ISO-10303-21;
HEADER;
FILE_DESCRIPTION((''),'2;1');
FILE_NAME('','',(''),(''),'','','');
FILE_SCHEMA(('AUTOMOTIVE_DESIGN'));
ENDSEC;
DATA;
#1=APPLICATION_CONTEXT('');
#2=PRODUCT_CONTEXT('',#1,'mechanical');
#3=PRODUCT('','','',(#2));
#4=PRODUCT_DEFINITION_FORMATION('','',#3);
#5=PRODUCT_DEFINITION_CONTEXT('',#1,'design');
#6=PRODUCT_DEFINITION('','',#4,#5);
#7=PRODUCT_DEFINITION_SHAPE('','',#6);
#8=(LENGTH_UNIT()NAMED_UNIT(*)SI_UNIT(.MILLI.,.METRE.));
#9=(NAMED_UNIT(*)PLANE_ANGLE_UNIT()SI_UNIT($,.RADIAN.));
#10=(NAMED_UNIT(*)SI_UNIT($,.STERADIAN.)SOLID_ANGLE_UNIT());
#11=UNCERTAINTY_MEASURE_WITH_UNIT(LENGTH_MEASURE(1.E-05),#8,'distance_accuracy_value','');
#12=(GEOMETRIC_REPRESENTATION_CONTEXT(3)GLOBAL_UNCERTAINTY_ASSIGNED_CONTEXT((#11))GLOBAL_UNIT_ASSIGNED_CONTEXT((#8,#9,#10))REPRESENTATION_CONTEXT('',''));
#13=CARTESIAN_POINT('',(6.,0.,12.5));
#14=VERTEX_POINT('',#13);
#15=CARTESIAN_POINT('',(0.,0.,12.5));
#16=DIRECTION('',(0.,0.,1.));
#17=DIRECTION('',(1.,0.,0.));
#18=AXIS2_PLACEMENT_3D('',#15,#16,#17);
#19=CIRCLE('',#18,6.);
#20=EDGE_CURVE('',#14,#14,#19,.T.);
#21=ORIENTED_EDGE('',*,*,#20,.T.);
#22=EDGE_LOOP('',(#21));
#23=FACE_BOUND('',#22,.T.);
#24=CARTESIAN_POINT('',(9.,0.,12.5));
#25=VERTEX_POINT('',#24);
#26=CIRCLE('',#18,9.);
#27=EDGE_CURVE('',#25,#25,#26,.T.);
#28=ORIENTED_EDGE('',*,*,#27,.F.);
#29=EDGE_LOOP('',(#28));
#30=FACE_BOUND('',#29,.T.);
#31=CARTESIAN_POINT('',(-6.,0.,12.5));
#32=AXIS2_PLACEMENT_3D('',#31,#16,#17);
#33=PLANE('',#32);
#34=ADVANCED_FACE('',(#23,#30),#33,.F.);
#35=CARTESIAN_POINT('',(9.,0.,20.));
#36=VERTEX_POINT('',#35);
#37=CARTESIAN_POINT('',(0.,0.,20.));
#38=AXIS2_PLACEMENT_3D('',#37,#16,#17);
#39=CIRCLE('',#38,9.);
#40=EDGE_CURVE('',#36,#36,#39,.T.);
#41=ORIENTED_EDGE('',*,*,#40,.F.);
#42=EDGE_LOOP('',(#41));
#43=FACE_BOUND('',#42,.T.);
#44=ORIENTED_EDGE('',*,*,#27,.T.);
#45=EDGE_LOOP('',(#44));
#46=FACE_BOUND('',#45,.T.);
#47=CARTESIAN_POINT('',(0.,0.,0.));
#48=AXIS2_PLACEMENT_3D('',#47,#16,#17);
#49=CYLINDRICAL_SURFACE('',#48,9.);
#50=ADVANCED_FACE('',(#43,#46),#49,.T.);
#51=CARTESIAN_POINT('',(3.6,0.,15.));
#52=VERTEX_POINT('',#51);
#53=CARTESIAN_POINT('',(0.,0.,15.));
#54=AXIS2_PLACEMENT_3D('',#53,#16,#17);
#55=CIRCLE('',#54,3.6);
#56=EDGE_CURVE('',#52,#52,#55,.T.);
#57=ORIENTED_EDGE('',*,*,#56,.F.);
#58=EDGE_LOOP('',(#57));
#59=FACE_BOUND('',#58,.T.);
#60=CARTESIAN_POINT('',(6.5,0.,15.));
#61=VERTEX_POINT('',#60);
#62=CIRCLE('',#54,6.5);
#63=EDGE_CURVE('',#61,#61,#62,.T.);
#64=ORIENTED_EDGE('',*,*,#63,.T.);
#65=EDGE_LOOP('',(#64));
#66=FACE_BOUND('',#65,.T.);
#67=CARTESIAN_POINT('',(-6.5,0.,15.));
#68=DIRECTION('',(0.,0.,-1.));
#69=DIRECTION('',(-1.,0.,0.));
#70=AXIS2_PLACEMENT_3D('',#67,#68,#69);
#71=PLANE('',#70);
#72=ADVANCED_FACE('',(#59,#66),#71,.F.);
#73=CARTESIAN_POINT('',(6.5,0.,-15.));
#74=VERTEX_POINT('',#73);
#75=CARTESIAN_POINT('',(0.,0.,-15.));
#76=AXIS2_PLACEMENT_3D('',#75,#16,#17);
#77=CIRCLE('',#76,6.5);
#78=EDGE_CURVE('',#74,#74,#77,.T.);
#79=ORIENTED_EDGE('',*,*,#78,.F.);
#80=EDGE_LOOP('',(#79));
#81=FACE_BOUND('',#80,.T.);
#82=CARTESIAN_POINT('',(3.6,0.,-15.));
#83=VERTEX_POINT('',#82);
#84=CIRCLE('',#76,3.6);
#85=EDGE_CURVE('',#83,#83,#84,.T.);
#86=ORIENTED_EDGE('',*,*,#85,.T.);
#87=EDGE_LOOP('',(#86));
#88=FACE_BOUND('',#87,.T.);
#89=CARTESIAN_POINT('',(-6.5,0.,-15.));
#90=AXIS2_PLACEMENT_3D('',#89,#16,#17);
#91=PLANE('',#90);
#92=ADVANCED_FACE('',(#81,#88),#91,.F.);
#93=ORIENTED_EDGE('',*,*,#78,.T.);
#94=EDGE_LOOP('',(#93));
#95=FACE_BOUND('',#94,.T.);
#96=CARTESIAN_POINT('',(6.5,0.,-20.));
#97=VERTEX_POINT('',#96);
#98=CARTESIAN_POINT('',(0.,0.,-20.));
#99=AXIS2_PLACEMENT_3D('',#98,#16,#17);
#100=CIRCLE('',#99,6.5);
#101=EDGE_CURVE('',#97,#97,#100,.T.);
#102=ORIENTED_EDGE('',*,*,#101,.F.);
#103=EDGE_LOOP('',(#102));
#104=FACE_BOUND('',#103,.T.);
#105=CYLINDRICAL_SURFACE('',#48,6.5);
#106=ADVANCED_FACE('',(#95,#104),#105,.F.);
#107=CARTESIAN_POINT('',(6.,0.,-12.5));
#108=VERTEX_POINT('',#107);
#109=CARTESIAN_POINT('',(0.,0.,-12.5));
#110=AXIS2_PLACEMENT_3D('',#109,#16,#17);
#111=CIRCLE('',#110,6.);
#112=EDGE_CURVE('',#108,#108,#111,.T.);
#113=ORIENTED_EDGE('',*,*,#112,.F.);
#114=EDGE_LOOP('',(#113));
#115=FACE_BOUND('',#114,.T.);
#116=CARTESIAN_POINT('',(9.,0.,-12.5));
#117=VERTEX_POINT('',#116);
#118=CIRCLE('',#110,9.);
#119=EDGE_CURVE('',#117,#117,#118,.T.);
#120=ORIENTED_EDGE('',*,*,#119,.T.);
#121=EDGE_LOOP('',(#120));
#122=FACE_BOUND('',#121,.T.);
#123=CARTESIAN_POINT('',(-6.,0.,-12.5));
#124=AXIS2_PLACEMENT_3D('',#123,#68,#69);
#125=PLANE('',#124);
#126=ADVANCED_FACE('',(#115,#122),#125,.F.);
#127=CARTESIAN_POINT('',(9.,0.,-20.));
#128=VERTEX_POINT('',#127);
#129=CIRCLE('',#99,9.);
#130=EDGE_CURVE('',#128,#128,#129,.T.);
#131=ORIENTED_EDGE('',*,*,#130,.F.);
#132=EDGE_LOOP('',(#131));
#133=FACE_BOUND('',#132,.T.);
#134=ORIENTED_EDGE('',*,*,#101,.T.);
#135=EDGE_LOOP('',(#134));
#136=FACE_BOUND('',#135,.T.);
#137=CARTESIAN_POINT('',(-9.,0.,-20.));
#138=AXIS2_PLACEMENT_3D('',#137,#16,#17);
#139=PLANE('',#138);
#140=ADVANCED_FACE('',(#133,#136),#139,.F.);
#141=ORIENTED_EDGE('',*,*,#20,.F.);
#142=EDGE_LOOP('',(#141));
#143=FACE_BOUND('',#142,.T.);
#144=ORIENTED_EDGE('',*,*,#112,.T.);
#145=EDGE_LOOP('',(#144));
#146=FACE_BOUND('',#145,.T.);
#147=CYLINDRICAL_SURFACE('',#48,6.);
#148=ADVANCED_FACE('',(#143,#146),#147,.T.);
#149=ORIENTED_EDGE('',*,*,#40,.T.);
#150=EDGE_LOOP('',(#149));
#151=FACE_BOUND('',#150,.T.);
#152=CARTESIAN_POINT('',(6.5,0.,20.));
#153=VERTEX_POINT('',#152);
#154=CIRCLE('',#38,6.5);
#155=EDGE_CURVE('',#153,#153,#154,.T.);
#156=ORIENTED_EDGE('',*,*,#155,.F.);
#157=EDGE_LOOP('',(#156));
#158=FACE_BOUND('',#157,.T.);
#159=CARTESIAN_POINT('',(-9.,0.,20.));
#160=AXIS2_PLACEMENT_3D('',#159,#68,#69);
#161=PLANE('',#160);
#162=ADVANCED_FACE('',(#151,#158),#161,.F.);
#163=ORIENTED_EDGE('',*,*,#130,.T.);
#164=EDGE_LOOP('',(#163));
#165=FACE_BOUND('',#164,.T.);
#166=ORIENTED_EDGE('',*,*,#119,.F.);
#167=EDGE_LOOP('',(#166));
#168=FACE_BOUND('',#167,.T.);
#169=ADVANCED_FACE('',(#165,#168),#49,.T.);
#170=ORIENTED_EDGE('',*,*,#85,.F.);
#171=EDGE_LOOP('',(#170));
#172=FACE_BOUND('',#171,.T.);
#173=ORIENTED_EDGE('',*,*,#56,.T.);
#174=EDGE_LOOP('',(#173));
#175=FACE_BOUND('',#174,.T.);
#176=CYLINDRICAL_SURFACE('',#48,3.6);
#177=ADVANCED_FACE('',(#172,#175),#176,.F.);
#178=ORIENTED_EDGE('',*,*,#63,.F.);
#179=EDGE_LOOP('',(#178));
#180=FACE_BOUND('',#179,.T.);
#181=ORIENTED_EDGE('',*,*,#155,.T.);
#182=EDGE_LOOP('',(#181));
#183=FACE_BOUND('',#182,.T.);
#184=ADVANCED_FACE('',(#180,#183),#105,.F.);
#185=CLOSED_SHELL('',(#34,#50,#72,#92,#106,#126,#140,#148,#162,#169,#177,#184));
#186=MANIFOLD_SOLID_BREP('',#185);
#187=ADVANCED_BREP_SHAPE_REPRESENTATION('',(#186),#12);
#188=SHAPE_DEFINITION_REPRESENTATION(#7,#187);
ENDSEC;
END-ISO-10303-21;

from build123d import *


with BuildPart() as part:
    # Sketch1 → Revolve1 (revolve)
    with BuildSketch(Plane(origin=(0, 0, 0), x_dir=(1, 0, 0), z_dir=(0, 1, 0)), mode=Mode.PRIVATE) as revolve1_sk:
        Polygon((-6, -12.5), (-6, 12.5), (-9, 12.5), (-9, 20), (-6.5, 20), (-6.5, 15), (-3.6, 15), (-3.6, -15), (-6.5, -15), (-6.5, -20), (-9, -20), (-9, -12.5), align=None)
    revolve(revolve1_sk.sketch.rotate(Axis((0, 0, 0), (0, 0, -1)), 180), axis=Axis((0, 0, 0), (0, 0, -1)))


solid = part.part
